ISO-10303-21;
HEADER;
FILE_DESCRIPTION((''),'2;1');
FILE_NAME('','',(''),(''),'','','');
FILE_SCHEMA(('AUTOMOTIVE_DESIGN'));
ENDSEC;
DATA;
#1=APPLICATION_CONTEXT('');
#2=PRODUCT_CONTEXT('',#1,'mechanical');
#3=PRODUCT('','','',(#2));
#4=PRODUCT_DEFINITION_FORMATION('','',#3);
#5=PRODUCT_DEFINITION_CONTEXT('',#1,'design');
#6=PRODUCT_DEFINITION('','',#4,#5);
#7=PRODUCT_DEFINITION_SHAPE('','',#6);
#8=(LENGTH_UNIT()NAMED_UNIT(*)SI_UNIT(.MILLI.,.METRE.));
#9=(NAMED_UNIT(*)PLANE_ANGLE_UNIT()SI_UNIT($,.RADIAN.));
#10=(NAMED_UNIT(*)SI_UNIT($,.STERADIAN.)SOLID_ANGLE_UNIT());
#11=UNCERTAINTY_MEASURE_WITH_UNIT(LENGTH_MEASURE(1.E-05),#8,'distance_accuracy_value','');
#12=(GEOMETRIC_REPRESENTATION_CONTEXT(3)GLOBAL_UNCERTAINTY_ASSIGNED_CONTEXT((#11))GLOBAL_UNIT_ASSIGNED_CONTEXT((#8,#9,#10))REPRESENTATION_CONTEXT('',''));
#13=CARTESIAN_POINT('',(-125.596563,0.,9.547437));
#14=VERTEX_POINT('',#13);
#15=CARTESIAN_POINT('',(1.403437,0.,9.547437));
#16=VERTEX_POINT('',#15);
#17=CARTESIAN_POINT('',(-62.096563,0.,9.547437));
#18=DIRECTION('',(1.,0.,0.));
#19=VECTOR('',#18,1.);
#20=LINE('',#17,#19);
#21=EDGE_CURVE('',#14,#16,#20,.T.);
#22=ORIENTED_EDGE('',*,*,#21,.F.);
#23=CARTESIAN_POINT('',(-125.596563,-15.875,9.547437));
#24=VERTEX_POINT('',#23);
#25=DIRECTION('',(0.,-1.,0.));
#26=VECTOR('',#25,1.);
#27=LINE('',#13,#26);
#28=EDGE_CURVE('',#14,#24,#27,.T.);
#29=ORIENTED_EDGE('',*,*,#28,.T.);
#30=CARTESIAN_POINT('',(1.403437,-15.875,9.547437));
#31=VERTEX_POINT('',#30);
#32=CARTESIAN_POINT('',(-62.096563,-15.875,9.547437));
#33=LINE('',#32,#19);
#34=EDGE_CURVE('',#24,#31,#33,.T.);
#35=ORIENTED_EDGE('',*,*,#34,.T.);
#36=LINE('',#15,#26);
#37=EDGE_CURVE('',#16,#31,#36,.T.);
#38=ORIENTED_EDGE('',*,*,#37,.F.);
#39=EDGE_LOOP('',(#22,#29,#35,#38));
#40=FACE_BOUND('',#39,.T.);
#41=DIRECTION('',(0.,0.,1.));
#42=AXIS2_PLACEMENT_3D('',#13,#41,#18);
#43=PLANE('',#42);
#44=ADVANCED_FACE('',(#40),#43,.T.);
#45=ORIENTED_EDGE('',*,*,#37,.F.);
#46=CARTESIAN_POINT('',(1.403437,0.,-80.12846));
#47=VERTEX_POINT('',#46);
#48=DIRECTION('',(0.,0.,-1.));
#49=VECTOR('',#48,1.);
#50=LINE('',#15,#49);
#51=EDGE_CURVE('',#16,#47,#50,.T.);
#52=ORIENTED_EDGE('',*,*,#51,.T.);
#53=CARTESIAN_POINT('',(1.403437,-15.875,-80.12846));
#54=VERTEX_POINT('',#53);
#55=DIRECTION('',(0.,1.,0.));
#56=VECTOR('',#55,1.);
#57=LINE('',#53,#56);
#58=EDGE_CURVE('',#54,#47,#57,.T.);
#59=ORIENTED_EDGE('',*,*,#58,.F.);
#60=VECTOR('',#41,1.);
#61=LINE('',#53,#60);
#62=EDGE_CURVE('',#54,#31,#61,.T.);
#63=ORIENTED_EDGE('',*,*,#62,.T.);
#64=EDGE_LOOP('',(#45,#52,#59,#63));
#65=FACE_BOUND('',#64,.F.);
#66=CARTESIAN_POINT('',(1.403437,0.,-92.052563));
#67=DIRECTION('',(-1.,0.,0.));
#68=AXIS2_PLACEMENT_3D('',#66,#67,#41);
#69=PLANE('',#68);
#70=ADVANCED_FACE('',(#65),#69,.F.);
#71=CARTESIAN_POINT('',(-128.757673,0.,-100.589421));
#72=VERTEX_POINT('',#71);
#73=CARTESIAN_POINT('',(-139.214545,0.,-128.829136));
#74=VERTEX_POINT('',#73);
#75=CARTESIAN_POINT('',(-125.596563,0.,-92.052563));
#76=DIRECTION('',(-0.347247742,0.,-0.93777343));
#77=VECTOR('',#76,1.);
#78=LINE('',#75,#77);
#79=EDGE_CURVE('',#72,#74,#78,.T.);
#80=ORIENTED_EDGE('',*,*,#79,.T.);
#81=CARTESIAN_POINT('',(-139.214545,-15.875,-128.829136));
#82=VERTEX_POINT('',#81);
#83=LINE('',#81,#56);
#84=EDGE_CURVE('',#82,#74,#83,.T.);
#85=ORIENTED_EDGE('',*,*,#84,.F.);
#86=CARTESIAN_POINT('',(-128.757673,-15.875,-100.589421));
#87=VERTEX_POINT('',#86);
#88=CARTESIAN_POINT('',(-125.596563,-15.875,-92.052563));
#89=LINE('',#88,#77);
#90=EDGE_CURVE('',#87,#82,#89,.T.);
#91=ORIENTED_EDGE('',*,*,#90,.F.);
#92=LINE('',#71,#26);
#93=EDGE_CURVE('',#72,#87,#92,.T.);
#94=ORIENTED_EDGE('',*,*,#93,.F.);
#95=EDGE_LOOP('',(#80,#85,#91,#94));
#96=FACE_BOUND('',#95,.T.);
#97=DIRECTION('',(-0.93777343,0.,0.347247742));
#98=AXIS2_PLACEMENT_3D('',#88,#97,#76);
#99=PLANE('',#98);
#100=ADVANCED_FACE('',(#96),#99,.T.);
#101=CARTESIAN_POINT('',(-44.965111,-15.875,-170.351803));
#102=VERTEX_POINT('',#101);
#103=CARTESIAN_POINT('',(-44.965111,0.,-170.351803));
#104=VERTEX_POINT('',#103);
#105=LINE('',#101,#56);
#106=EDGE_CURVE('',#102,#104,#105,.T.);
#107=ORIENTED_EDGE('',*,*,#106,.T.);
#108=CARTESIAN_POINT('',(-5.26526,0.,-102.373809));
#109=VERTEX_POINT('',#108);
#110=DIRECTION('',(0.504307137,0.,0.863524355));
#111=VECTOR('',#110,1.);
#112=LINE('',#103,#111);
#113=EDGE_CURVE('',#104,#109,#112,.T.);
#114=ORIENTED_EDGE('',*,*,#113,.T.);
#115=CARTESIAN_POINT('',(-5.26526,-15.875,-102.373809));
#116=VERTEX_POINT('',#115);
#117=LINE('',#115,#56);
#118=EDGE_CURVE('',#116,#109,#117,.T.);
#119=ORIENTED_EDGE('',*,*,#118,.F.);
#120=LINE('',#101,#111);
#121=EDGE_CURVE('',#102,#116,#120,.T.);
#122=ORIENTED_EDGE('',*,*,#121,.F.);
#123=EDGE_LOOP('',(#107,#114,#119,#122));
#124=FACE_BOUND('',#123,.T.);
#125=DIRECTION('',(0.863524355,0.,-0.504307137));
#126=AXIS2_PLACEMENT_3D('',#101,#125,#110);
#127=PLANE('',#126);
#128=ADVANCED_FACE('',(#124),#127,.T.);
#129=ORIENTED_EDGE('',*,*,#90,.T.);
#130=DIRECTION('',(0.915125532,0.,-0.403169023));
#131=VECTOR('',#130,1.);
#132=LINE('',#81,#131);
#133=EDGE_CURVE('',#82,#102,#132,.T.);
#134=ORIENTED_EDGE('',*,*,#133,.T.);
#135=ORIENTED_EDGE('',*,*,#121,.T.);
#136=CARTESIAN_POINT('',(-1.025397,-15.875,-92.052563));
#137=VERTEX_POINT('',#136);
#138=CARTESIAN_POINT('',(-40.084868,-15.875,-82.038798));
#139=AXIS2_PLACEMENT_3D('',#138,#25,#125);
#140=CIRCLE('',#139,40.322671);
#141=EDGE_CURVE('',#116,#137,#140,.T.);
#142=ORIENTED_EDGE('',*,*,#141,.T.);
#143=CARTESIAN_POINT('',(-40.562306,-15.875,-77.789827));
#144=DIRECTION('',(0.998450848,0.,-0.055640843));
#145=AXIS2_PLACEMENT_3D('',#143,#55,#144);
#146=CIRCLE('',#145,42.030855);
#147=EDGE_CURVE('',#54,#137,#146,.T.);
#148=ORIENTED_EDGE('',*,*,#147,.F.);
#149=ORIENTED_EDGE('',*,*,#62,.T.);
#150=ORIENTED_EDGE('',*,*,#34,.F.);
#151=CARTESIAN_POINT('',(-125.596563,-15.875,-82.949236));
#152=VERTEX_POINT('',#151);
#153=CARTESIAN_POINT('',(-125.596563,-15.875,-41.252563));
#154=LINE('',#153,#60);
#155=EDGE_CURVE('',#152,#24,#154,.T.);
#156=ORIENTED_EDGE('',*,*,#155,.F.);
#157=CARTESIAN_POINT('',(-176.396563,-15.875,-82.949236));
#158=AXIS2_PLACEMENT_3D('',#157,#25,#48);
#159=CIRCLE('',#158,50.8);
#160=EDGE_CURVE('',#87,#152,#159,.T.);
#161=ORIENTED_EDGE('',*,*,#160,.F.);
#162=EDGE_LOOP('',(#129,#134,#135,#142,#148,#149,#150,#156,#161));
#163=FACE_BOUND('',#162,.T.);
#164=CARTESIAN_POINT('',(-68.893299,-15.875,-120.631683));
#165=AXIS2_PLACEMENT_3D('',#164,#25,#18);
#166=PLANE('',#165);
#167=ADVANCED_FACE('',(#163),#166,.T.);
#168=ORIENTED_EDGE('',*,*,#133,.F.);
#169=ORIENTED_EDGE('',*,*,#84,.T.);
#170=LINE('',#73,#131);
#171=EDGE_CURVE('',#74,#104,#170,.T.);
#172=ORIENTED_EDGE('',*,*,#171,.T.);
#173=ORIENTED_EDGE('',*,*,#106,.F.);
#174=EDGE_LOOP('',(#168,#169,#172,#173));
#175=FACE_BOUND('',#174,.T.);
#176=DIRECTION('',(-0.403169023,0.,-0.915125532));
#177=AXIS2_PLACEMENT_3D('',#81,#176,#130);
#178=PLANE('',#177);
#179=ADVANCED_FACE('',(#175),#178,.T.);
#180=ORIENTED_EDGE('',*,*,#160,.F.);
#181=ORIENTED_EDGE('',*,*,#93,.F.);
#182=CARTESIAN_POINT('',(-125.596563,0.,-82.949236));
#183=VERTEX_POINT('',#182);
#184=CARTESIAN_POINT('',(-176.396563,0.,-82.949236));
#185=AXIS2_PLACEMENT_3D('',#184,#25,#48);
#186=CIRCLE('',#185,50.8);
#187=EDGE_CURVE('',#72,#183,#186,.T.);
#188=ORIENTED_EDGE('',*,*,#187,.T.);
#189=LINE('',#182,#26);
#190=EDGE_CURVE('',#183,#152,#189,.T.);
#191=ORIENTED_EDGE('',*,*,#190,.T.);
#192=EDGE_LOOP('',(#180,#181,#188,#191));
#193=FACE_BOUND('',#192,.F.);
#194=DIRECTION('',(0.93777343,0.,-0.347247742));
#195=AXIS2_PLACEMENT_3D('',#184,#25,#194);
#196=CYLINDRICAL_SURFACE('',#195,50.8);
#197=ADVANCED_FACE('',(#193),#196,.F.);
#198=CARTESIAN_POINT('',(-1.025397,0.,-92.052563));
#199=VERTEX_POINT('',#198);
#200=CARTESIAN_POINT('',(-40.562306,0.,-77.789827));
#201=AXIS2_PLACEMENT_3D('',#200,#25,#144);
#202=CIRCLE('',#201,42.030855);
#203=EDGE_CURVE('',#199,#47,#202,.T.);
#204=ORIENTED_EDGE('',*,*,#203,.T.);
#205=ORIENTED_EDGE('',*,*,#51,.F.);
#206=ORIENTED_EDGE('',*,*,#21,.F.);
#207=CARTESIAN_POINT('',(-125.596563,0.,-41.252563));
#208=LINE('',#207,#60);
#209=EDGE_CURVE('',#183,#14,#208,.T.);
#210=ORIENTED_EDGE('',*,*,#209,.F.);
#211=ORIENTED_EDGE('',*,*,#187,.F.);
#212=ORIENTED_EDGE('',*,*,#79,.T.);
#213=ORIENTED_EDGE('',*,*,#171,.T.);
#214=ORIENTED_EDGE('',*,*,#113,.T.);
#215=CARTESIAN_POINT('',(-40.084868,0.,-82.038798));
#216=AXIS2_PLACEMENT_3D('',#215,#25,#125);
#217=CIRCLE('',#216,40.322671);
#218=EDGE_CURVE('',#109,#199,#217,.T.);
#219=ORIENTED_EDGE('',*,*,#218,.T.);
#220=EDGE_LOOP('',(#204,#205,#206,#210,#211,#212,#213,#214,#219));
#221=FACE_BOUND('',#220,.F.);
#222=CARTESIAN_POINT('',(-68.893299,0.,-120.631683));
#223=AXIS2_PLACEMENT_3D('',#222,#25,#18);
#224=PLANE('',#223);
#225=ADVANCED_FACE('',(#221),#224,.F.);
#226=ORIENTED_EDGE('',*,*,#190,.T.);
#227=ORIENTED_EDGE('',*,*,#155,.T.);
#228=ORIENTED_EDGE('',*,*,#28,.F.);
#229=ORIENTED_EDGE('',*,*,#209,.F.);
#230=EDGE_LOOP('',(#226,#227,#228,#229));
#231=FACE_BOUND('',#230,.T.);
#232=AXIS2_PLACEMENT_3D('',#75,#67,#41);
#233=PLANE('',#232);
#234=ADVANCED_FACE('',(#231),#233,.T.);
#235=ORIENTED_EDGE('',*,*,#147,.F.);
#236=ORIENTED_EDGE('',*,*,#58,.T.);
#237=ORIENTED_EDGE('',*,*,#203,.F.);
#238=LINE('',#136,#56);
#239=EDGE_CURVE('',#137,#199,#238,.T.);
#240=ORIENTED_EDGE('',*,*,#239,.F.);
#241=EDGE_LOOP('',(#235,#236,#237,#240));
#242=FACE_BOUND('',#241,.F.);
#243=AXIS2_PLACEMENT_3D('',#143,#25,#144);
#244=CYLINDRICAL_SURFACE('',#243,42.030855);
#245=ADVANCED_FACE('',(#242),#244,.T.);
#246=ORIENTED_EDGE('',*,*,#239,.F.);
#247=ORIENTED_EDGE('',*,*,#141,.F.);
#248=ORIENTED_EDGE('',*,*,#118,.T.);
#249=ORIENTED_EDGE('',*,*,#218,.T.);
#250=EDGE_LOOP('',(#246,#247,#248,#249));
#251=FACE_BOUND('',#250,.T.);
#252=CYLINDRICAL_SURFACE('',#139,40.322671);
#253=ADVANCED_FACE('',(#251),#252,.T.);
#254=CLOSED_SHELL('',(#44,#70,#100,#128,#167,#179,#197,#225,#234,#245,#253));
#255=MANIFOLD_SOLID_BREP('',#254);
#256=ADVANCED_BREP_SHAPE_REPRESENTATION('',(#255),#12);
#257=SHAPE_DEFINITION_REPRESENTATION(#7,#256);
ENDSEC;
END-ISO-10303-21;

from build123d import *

# Parameters (mm, degrees)
F0_W     = 127
F0_H     = 101.6
F1_DEPTH = 15.875
F3_DEPTH = 19.05
F5_DEPTH = 15.875
F6_R     = 50.8


with BuildPart() as f1:
    # F0 (on Front) → F1 (new body)
    with BuildSketch(Plane.XZ):
        with Locations((-62.0965630407, -41.252563009)):
            Rectangle(F0_W, F0_H)
    extrude(amount=F1_DEPTH)

    # F2 (on face) → F3 (cut)
    with BuildSketch(Plane.XZ.offset(15.875)):
        with BuildLine():
            Line((-1.0253972141, -92.052563009), (1.4034369593, -92.052563009))
            Line((1.4034369593, -92.052563009), (1.4034369593, -80.1284596617))
            ThreePointArc((1.4034369593, -80.1284596617), (0.6228444874, -86.1788775646), (-1.0253972141, -92.052563009))
        make_face()
        with BuildLine():
            Line((1.4034369593, -75.45119524), (1.4034369593, -80.1284596617))
            ThreePointArc((1.4034369593, -80.1284596617), (1.4685491276, -77.7898274509), (1.4034369593, -75.45119524))
        make_face()
    extrude(amount=-F3_DEPTH, mode=Mode.SUBTRACT)

    # F4 (on face) → F5 (join)
    with BuildSketch(Plane.XZ.offset(15.875)):
        with BuildLine():
            Line((-1.0253972141, -92.052563009), (-125.5965630407, -92.052563009))
            Line((-125.5965630407, -92.052563009), (-139.2145454884, -128.8291364908))
            Line((-139.2145454884, -128.8291364908), (-44.9651107192, -170.3518033028))
            Line((-44.9651107192, -170.3518033028), (-5.2652601153, -102.3738086224))
            ThreePointArc((-5.2652601153, -102.3738086224), (-2.7865893027, -97.3605523032), (-1.0253972141, -92.052563009))
        make_face()
    extrude(amount=-F5_DEPTH)

    # F6
    f6_edges = [f1.edges().sort_by_distance(p)[0] for p in [
        (-125.596563, -7.9375, -92.052563),
    ]]
    fillet(f6_edges, radius=F6_R)


solid = f1.part
